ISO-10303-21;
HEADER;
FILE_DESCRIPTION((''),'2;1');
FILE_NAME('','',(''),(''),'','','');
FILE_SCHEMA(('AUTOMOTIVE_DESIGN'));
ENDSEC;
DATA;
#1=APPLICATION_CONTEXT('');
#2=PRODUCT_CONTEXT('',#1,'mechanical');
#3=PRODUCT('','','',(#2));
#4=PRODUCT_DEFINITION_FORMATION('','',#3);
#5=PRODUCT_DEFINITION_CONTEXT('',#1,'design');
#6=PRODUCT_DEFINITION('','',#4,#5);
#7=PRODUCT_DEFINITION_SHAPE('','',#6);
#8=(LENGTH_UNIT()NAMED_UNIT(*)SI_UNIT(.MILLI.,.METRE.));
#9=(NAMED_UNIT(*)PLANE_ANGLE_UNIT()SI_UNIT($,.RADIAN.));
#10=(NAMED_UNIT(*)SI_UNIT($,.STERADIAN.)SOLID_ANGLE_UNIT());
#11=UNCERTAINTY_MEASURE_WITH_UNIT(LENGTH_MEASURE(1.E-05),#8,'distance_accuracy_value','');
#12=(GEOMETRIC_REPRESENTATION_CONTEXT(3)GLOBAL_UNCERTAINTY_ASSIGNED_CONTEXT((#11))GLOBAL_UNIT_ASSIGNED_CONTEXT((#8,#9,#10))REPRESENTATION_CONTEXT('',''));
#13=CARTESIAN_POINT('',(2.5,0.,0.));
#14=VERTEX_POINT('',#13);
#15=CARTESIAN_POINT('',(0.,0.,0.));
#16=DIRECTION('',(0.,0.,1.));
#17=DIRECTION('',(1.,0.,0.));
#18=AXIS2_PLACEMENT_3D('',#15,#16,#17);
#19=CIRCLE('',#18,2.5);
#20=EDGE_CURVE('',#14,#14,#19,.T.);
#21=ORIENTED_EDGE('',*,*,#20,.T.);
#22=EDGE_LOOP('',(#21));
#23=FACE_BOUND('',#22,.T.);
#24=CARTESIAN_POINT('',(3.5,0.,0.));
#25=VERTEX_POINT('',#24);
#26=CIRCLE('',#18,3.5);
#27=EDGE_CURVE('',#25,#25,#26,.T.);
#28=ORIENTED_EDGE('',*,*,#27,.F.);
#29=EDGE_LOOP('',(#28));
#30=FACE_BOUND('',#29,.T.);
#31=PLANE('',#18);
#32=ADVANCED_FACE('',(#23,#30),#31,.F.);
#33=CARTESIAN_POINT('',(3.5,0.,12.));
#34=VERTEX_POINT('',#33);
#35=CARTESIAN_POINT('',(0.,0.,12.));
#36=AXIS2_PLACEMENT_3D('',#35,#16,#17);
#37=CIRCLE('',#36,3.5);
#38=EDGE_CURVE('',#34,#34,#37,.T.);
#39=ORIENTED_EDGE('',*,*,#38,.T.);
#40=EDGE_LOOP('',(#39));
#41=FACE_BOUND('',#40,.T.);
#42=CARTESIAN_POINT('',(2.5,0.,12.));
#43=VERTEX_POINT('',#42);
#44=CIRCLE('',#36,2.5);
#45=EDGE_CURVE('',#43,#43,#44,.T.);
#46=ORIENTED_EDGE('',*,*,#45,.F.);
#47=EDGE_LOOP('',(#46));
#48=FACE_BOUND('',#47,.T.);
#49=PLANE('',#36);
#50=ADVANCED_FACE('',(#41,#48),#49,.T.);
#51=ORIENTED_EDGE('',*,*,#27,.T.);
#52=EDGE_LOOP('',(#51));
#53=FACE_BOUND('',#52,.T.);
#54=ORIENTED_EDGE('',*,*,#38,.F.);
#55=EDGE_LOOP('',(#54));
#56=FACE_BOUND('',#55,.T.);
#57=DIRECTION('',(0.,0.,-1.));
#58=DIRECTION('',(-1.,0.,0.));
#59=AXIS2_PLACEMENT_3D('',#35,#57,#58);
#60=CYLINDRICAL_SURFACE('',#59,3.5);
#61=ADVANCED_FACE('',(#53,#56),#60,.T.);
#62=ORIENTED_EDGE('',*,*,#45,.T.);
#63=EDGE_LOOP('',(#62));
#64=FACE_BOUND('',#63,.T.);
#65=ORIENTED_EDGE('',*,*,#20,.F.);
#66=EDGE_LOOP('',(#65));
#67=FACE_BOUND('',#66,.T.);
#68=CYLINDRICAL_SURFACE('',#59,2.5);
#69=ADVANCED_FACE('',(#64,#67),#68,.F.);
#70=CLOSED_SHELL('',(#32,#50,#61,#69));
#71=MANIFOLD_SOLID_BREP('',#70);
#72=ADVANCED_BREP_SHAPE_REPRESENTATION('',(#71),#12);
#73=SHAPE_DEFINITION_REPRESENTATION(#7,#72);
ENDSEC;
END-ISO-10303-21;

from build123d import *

# Parameters (mm, degrees)
ESBO_O1_R                = 3.5
ESBO_O1_R_2              = 2.5
RESSALTO_EXTRUS_O1_DEPTH = 12


with BuildPart() as part:
    # Esboço1 → Ressalto-extrusão1 (new body)
    with BuildSketch(Plane.XY):
        Circle(ESBO_O1_R)
        Circle(ESBO_O1_R_2, mode=Mode.SUBTRACT)
    extrude(amount=RESSALTO_EXTRUS_O1_DEPTH)


solid = part.part
